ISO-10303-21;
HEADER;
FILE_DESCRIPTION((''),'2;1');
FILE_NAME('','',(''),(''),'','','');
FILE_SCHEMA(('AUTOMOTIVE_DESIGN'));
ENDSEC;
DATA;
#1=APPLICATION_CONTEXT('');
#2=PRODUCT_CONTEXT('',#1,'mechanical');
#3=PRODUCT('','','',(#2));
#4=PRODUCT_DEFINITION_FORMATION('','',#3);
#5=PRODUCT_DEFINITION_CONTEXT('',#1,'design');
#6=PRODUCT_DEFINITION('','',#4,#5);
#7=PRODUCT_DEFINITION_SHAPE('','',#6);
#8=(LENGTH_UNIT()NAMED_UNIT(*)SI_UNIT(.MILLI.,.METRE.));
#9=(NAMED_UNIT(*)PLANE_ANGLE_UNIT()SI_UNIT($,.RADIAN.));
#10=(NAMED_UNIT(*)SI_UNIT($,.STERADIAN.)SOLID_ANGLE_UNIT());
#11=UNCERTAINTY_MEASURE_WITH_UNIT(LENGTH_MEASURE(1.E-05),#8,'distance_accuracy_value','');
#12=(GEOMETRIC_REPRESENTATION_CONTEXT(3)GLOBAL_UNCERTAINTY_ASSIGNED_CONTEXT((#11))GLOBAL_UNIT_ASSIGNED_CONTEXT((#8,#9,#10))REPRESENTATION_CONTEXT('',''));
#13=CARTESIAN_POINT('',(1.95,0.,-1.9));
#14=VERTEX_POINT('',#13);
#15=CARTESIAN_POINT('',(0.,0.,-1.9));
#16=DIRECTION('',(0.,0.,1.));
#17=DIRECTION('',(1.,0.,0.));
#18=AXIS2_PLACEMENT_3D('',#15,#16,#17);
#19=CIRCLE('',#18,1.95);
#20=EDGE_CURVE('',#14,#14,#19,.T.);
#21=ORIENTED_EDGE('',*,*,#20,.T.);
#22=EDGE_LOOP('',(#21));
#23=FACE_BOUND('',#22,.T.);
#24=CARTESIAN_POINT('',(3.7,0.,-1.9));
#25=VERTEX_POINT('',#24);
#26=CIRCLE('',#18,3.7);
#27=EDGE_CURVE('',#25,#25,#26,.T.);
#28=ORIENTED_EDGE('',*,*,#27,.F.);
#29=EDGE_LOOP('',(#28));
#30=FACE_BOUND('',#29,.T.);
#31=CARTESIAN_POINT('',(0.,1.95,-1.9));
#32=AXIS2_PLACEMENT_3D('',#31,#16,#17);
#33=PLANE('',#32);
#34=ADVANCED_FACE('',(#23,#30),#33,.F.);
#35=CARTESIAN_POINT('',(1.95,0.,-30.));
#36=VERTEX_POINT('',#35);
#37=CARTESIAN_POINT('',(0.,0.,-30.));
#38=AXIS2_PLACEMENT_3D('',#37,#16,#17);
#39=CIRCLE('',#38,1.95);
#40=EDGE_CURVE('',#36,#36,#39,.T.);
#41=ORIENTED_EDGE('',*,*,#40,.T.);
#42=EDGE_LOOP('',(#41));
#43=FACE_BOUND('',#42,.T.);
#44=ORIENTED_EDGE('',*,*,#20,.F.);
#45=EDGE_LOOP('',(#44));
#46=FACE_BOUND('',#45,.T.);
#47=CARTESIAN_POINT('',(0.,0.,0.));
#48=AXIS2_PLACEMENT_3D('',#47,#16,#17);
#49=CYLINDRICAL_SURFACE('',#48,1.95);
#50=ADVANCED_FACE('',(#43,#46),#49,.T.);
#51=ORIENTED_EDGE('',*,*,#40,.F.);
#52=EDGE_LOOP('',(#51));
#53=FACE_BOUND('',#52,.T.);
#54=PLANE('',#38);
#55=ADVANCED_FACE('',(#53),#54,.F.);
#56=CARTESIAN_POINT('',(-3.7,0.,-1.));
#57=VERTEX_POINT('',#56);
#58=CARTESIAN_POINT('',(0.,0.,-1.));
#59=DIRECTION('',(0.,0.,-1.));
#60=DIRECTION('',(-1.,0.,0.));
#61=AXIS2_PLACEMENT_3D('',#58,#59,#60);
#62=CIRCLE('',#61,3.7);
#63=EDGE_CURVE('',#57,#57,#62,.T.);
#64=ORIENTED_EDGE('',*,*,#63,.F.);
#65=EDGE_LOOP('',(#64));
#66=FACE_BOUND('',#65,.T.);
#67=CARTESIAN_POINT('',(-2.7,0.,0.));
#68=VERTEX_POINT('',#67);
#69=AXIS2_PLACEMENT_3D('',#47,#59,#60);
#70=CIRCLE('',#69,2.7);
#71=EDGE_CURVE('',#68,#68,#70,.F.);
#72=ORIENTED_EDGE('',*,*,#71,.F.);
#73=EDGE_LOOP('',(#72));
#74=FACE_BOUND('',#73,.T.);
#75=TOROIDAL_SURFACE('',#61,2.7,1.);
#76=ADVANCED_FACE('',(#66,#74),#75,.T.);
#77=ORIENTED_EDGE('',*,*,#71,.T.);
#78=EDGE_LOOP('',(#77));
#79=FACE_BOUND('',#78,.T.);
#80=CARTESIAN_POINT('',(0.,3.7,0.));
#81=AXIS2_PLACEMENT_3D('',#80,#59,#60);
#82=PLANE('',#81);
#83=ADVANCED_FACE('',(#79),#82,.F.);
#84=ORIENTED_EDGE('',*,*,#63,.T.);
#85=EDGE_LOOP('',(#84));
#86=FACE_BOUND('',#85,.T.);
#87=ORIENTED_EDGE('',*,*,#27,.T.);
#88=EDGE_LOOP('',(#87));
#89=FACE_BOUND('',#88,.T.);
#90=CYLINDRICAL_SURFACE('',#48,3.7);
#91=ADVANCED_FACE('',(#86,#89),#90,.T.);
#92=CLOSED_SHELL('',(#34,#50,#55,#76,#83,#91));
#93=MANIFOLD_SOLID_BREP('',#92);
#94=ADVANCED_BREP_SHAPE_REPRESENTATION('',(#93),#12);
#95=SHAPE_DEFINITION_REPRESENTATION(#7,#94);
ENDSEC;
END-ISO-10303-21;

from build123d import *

# Parameters (mm, degrees)
FILLET1_R = 1


with BuildPart() as part:
    # Sketch1 → Revolve1 (revolve)
    with BuildSketch(Plane(origin=(0, 0, 0), x_dir=(0, 0, -1), z_dir=(1, 0, 0)), mode=Mode.PRIVATE) as revolve1_sk:
        Polygon((1.9, 1.95), (1.9, 3.7), (0, 3.7), (0, 0), (30, 0), (30, 1.95), align=None)
    revolve(revolve1_sk.sketch.rotate(Axis((0, 0, 0), (0, 0, -1)), 90), axis=Axis((0, 0, 0), (0, 0, -1)))

    # Fillet1
    fillet1_edges = [part.edges().sort_by_distance(p)[0] for p in [
        (-3.7, 0, 0),
    ]]
    fillet(fillet1_edges, radius=FILLET1_R)


solid = part.part
